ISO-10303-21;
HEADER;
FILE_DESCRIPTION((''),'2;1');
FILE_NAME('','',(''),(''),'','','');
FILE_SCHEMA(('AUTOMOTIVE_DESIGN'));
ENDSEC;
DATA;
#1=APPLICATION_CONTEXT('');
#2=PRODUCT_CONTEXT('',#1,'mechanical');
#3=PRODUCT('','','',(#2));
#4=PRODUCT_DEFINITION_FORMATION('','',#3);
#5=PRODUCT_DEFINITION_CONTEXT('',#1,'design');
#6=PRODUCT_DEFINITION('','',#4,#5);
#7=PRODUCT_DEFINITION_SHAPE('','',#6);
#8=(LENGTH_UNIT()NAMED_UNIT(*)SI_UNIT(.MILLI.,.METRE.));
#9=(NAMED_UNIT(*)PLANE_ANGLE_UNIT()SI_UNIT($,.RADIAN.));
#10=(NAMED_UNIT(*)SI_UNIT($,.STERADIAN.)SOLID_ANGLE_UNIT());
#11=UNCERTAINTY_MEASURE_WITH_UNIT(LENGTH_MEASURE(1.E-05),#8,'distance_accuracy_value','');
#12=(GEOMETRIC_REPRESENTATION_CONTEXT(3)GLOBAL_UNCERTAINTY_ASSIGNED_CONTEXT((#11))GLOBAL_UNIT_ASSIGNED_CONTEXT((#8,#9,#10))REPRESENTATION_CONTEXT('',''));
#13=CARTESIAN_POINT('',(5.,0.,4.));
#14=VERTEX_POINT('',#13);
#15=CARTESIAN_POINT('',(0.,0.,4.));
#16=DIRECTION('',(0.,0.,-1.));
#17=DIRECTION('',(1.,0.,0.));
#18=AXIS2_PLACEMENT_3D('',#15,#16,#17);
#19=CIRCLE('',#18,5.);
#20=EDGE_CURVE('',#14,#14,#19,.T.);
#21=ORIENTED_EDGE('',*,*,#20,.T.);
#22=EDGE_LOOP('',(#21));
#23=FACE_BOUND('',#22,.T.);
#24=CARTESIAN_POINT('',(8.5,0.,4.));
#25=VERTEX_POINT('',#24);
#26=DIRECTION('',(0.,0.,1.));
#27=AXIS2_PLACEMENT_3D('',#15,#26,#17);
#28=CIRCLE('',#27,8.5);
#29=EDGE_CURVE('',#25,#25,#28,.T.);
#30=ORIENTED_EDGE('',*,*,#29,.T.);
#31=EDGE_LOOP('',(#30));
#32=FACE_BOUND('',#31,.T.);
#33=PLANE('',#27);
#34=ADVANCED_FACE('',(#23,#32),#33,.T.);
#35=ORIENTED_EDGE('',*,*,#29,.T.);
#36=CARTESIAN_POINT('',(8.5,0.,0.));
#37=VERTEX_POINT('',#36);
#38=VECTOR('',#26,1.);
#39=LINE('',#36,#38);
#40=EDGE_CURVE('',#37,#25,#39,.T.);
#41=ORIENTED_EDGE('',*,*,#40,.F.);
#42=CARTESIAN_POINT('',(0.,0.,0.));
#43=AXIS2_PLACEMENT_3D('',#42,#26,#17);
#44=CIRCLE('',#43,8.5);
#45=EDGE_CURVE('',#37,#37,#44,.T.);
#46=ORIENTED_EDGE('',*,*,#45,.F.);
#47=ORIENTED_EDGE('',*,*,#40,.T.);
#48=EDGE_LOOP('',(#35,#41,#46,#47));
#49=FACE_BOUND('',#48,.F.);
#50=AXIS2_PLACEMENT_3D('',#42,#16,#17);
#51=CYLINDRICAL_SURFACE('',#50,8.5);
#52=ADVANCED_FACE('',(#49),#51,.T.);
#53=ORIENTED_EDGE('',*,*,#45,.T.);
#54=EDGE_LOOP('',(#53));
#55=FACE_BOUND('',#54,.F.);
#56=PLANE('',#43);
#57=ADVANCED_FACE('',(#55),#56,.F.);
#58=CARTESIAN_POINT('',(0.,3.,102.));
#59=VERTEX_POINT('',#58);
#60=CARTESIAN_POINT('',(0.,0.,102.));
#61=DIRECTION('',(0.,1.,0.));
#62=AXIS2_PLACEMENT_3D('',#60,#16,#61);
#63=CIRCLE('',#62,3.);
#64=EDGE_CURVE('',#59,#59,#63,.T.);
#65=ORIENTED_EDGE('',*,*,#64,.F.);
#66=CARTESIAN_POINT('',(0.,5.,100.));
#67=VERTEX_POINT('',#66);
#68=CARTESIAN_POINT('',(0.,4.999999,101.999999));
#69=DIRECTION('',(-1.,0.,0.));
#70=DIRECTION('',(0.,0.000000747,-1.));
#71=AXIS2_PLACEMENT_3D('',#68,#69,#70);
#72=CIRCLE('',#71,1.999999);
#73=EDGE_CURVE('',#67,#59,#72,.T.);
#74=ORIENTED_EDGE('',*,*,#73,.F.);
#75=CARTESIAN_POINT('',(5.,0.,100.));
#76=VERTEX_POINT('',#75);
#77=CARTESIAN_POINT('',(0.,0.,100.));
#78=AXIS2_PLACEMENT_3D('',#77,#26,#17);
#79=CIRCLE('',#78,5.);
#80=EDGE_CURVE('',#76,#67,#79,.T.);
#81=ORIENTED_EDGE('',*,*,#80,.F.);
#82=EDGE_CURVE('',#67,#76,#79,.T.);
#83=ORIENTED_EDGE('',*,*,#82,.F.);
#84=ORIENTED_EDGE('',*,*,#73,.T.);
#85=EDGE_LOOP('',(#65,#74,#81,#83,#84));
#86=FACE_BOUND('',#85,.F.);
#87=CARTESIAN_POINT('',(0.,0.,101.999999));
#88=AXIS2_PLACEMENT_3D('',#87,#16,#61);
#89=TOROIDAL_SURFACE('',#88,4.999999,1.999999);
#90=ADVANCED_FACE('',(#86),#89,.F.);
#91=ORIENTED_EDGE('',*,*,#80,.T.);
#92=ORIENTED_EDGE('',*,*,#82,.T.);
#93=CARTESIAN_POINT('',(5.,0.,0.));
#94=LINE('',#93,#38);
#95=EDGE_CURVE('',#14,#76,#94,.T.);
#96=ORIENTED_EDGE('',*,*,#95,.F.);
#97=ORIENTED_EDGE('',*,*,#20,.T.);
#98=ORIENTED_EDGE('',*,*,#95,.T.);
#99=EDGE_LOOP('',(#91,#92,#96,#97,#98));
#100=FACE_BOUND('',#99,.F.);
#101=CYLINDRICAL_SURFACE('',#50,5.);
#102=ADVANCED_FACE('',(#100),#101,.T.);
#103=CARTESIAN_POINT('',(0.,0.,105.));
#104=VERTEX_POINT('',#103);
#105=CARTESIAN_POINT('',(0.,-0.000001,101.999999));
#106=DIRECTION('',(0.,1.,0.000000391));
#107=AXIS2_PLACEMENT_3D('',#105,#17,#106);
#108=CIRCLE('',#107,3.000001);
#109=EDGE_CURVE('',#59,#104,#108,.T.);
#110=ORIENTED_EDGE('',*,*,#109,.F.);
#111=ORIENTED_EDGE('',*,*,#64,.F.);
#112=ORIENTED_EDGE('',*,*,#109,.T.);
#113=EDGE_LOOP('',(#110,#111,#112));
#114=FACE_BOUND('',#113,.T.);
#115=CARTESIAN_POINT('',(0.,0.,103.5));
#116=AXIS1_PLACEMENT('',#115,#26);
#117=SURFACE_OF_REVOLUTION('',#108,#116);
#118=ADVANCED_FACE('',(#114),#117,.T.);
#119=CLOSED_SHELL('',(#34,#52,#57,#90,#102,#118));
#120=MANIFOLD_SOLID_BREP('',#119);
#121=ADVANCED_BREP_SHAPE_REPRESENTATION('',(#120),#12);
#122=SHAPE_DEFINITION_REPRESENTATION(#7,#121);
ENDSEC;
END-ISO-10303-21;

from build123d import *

# Parameters (mm, degrees)
F0_R     = 8.5
F1_DEPTH = 4
F2_R     = 5
F3_DEPTH = 100


with BuildPart() as f1:
    # F0 (on Top) → F1 (new body)
    with BuildSketch(Plane.XY):
        Circle(F0_R)
    extrude(amount=F1_DEPTH)

    # F2 (on Top) → F3 (join)
    with BuildSketch(Plane.XY):
        Circle(F2_R)
    extrude(amount=F3_DEPTH)

    # F4 (on Right) → F5 (revolve)
    with BuildSketch(Plane.YZ):
        with BuildLine():
            Line((3, 102), (0, 102))
            Line((0, 102), (0, 100))
            Line((0, 100), (5, 100))
            ThreePointArc((5, 100), (3.585786, 100.585786), (3, 102))
        make_face()
    revolve(axis=Axis((0, 0, 101), (0, 0, -1)))

    # F6 (on Right) → F7 (revolve)
    with BuildSketch(Plane.YZ):
        with BuildLine():
            Line((0, 105), (0, 102))
            Line((0, 102), (3, 102))
            ThreePointArc((3, 102), (2.12132, 104.12132), (0, 105))
        make_face()
    revolve(axis=Axis((0, 0, 103.5), (0, 0, 1)))


solid = f1.part
